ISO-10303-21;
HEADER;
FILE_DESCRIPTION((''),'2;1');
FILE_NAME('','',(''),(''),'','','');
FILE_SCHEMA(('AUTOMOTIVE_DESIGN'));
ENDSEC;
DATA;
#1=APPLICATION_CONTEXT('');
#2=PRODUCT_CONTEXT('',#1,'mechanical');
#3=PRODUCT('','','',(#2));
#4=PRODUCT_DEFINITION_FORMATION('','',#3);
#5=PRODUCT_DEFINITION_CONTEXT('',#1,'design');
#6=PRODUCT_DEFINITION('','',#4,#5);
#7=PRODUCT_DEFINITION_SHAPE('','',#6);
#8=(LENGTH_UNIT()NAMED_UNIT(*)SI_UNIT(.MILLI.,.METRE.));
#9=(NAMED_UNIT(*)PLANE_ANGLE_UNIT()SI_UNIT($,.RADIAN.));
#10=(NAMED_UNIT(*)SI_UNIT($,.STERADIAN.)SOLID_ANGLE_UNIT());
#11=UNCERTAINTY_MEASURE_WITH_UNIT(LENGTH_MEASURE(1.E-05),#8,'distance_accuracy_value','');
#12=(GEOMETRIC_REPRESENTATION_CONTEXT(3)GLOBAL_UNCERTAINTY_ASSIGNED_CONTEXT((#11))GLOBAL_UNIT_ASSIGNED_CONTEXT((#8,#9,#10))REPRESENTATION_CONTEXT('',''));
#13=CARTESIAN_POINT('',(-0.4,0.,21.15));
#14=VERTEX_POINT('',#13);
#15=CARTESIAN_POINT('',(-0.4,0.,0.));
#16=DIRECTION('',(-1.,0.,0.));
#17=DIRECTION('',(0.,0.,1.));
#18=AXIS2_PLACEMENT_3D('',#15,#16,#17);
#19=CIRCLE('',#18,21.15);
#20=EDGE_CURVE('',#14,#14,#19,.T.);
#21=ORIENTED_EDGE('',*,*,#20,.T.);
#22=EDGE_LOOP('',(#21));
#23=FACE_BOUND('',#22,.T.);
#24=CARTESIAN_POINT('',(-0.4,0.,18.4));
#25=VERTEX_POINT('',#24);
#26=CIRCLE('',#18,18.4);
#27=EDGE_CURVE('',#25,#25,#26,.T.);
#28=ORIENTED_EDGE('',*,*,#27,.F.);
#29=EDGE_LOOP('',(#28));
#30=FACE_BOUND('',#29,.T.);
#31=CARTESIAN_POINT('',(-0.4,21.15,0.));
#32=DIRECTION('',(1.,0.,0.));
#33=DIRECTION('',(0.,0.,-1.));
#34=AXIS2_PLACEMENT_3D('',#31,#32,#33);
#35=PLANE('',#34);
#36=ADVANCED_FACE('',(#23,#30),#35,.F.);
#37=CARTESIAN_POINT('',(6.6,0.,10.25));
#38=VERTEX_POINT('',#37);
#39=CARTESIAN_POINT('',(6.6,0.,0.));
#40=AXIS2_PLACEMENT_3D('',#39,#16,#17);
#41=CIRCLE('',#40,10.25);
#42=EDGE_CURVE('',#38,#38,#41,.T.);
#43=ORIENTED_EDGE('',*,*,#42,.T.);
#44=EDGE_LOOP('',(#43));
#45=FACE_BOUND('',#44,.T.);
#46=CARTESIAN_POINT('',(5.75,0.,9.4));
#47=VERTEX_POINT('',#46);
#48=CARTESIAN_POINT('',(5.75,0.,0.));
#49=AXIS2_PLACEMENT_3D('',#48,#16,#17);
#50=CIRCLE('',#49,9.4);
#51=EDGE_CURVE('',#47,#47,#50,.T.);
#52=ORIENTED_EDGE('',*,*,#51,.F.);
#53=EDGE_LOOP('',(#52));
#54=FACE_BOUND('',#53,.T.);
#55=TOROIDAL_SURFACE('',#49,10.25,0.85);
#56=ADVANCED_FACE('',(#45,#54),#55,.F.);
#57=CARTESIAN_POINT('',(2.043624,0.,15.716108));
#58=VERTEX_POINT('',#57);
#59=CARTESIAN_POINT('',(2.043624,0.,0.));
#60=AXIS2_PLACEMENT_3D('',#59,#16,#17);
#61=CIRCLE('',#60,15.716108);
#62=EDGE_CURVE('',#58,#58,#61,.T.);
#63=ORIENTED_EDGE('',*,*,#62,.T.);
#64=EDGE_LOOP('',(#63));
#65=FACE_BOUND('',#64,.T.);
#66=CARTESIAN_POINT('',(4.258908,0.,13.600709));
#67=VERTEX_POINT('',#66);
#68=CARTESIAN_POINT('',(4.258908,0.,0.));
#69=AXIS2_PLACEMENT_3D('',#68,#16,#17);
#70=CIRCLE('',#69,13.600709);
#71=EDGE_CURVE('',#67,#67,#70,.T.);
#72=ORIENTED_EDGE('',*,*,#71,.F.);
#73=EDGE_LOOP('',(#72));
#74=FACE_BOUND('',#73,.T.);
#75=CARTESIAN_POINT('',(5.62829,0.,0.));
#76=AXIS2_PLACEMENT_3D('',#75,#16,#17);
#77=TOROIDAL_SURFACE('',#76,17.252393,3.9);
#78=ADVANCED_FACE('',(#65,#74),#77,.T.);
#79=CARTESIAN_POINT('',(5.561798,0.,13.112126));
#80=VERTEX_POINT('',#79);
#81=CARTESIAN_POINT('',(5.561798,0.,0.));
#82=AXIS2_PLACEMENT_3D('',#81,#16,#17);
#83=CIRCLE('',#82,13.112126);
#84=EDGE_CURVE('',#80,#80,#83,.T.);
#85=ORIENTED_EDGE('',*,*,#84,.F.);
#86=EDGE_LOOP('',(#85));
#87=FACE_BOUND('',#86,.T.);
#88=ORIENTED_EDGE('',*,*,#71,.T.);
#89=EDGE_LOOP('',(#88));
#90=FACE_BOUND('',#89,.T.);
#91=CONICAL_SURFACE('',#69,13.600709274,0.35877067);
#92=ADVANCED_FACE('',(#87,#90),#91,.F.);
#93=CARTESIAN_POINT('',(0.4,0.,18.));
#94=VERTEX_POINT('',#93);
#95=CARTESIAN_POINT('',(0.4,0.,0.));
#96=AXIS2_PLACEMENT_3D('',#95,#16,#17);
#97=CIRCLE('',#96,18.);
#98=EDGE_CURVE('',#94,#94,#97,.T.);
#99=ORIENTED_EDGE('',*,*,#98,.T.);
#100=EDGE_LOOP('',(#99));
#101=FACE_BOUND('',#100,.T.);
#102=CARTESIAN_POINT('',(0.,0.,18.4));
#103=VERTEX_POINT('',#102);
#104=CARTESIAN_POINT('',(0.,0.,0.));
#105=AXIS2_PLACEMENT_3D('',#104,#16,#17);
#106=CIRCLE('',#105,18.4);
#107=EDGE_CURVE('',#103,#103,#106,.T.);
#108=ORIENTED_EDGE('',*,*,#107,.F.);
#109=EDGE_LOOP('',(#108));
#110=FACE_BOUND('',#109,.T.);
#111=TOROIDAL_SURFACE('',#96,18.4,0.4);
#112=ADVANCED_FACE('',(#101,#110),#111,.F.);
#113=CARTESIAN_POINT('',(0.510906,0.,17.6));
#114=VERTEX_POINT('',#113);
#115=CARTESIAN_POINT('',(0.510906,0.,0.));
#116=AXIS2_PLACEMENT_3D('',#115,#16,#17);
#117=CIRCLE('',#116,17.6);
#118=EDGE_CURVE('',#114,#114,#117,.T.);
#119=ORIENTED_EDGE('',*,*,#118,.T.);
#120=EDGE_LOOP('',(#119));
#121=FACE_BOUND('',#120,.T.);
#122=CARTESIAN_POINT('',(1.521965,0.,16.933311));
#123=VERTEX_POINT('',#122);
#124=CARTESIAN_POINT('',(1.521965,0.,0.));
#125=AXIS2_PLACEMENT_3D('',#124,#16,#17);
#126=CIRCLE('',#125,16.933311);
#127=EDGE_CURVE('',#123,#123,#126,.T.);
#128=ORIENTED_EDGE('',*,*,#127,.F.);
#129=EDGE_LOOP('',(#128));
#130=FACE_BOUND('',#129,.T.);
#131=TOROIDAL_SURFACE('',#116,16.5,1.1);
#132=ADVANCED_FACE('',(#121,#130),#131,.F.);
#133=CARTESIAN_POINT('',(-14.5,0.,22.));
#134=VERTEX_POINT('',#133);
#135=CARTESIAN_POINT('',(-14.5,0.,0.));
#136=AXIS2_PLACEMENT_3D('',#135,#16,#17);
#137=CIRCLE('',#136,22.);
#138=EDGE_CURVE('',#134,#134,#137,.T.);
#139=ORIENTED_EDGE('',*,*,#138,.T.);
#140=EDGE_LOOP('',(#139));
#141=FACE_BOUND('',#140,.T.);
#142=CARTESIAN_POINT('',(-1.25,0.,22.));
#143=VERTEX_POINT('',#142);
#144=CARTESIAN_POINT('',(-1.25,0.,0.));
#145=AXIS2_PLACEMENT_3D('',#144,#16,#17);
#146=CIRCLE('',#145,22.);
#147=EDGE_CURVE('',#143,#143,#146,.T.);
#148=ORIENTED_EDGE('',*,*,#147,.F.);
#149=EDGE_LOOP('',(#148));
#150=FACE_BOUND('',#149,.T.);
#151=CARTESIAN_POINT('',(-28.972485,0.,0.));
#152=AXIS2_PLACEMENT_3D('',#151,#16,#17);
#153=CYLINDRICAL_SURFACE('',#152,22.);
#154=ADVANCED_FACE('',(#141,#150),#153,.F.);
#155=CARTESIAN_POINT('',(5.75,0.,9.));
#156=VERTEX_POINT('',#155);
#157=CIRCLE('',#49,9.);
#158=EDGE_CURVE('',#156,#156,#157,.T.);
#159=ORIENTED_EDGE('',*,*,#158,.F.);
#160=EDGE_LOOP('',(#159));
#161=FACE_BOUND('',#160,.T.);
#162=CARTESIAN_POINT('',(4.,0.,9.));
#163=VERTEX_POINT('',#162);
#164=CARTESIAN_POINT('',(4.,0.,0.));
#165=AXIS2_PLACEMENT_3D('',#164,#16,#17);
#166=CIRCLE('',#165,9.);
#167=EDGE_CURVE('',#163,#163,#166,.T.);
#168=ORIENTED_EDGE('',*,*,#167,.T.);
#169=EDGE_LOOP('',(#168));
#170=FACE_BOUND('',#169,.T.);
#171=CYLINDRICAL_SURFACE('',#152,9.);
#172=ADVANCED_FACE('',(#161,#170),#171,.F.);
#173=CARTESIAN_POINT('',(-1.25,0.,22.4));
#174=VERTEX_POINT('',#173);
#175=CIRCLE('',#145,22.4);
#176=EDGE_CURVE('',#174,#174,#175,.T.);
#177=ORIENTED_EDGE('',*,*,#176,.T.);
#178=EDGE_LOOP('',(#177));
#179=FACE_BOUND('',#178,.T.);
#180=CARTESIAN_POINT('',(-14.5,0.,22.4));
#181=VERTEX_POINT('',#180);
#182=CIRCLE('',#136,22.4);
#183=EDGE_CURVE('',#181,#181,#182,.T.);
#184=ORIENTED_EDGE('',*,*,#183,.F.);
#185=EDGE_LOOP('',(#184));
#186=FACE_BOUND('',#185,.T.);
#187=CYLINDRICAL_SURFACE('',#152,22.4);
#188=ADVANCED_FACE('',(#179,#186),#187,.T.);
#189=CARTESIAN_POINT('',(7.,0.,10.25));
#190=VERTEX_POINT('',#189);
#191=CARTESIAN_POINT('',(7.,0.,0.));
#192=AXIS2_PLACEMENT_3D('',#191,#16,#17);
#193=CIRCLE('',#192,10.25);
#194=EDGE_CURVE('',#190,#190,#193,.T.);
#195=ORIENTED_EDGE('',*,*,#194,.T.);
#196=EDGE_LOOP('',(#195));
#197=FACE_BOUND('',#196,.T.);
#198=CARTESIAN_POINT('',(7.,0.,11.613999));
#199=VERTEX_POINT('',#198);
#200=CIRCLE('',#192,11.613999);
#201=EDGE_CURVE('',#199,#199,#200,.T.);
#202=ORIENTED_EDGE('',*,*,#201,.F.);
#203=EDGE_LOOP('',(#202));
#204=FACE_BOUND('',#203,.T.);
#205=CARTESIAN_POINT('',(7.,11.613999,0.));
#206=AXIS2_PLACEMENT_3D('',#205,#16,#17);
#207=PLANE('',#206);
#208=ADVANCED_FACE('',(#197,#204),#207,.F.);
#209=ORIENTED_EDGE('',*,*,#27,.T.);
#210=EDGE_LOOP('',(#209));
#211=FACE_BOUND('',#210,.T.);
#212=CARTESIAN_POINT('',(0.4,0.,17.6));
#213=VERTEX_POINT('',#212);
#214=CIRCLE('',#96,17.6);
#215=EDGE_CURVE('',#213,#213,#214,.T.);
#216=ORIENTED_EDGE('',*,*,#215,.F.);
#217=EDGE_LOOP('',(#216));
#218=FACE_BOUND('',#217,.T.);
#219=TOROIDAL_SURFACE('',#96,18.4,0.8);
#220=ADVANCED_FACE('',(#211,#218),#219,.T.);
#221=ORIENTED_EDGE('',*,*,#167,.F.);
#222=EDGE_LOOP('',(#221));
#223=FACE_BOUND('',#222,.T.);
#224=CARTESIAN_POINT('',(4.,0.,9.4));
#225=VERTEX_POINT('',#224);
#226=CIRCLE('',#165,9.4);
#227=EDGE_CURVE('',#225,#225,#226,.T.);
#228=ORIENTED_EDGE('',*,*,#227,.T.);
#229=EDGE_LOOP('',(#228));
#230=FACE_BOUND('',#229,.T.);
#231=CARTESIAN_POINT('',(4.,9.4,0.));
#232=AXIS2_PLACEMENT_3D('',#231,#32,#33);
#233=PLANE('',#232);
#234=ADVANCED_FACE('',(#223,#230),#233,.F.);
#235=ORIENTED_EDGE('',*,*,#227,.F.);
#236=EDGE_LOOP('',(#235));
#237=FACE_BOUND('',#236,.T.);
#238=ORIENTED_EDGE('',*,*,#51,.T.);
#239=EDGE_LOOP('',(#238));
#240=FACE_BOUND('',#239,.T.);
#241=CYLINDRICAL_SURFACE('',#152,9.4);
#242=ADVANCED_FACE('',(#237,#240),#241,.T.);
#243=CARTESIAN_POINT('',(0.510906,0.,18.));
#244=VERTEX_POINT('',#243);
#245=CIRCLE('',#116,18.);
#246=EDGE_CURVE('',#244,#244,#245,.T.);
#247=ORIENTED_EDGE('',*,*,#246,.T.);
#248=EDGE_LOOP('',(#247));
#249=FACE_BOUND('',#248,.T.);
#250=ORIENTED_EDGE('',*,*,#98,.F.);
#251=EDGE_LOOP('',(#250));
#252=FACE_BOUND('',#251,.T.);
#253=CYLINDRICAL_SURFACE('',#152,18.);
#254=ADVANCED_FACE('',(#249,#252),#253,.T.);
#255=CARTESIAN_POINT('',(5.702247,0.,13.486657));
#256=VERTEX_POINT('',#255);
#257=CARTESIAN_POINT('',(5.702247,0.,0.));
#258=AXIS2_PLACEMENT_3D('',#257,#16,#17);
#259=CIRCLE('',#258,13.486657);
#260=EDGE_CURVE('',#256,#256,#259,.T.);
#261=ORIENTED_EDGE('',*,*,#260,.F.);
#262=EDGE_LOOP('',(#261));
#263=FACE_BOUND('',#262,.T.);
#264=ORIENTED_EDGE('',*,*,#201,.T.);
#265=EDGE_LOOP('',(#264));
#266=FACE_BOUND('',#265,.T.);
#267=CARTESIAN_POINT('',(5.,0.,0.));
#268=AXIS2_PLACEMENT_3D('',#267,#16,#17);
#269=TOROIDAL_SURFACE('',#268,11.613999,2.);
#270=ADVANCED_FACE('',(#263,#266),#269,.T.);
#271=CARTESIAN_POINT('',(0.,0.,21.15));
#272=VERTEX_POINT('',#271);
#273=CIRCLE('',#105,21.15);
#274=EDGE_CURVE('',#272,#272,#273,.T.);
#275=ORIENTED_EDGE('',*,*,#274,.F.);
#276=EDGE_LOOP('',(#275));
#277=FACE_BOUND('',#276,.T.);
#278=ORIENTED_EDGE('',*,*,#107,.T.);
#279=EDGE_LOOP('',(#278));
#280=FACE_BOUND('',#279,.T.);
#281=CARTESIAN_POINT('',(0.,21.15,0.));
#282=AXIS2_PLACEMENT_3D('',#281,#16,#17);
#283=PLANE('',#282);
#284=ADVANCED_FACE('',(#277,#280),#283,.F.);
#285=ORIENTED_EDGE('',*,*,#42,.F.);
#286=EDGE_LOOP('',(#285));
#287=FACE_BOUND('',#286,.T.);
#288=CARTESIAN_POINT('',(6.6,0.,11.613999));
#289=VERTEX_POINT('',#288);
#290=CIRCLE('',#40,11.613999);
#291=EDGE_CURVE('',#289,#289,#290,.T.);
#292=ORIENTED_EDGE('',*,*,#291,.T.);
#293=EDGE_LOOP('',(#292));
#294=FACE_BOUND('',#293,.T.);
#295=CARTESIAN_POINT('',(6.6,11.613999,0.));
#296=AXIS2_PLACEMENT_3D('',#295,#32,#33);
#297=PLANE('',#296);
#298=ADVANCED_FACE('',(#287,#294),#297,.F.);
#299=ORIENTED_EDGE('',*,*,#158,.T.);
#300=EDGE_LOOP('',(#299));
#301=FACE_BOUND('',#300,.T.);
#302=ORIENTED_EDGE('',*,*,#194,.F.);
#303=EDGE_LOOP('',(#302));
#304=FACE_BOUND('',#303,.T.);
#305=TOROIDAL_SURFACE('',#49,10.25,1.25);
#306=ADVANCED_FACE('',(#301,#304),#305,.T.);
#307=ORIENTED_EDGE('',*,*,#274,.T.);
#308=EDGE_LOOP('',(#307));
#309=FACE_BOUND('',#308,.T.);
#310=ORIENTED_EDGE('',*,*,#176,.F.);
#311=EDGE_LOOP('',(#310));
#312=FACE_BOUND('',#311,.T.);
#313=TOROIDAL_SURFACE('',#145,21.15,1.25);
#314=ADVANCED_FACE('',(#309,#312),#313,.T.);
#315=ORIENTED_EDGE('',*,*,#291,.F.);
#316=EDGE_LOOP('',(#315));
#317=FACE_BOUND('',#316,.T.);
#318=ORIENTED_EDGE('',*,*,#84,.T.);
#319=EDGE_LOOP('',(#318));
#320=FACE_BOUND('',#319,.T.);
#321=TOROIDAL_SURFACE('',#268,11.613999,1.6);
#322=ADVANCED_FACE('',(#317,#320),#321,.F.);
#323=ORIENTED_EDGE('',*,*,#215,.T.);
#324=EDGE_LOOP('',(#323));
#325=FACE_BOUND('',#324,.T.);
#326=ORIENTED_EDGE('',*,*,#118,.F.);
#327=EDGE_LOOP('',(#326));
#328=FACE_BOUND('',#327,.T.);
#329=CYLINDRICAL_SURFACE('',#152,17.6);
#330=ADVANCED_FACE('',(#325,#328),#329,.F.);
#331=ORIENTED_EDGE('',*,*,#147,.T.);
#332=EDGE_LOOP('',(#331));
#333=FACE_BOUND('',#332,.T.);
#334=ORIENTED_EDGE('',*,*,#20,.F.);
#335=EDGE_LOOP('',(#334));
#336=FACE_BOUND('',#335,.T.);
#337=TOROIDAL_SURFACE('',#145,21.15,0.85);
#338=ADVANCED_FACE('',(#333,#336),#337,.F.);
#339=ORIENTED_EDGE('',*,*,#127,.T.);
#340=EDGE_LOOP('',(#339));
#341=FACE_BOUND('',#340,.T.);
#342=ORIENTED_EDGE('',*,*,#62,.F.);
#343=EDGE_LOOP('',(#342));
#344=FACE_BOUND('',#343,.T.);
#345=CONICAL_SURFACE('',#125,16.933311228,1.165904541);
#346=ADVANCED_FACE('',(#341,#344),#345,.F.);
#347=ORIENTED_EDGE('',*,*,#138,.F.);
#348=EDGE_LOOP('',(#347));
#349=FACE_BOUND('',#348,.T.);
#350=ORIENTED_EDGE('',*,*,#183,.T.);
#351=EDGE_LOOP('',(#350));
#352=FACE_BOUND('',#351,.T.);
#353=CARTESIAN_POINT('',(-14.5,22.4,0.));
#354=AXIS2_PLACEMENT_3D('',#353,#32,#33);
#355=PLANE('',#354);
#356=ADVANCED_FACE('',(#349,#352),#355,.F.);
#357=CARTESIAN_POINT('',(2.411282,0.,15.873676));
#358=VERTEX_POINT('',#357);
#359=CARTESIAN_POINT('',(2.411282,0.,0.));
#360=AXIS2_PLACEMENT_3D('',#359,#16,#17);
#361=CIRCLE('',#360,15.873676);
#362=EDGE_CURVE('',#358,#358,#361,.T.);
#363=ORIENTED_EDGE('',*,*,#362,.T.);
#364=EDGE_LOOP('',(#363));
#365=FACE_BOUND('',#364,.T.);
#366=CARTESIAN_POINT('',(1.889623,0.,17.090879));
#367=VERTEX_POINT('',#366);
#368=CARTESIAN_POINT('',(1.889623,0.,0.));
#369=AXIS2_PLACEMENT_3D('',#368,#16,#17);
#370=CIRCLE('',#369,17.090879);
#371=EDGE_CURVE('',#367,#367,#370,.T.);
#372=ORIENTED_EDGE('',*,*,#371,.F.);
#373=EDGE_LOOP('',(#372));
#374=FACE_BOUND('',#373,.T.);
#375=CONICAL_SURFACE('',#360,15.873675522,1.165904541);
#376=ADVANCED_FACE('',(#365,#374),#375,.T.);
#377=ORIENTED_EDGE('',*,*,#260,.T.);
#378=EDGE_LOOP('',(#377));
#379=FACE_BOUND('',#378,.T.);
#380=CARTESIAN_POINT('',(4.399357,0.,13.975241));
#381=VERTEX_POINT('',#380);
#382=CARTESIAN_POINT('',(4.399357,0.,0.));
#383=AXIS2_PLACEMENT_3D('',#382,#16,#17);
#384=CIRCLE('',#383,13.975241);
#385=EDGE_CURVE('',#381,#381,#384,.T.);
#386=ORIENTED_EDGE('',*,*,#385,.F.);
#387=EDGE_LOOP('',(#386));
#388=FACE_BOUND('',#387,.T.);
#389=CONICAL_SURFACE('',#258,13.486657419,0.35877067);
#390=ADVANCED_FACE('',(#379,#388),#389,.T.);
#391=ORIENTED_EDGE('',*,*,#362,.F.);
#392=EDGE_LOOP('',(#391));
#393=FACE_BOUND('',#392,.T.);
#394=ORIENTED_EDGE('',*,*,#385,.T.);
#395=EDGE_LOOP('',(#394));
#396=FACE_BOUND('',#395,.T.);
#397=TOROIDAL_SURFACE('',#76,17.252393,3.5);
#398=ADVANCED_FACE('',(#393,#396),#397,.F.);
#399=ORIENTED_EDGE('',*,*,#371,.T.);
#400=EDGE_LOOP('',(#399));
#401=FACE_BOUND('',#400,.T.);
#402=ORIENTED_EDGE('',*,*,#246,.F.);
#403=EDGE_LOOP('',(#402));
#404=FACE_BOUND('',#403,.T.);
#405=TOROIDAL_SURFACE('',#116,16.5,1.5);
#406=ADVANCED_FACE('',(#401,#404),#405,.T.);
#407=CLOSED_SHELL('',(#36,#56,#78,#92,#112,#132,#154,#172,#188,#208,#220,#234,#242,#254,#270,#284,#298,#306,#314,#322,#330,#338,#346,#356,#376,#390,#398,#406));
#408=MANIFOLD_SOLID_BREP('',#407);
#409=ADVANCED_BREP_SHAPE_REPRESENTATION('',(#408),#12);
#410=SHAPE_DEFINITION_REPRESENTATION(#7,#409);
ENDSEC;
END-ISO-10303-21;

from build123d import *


with BuildPart() as part:
    # 草图1 → 旋转1 (revolve)
    with BuildSketch(Plane.XY, mode=Mode.PRIVATE) as revolve_1_sk:
        with BuildLine():
            Line((-14.5, 22.4), (-1.25, 22.4))
            ThreePointArc((-1.25, 22.4), (-0.366116524, 22.033883476), (0, 21.15))
            Line((0, 21.15), (0, 18.4))
            ThreePointArc((0, 18.4), (0.117157288, 18.117157288), (0.4, 18))
            Line((0.4, 18), (0.510905763, 18))
            ThreePointArc((0.510905763, 18), (1.336642276, 17.752261638), (1.889623308, 17.090878948))
            Line((1.889623308, 17.090878948), (2.411281919, 15.873675522))
            ThreePointArc((2.411281919, 15.873675522), (3.211140728, 14.721110448), (4.399357479, 13.975240946))
            Line((4.399357479, 13.975240946), (5.702246883, 13.486657419))
            ThreePointArc((5.702246883, 13.486657419), (6.643851235, 12.753188739), (7, 11.613999064))
            Line((7, 11.613999064), (7, 10.25))
            ThreePointArc((7, 10.25), (6.633883476, 9.366116524), (5.75, 9))
            Line((5.75, 9), (4, 9))
            Line((4, 9), (4, 9.4))
            Line((4, 9.4), (5.75, 9.4))
            ThreePointArc((5.75, 9.4), (6.351040764, 9.648959236), (6.6, 10.25))
            Line((6.6, 10.25), (6.6, 11.613999064))
            ThreePointArc((6.6, 11.613999064), (6.315080988, 12.525350804), (5.561797507, 13.112125748))
            Line((5.561797507, 13.112125748), (4.258908102, 13.600709274))
            ThreePointArc((4.258908102, 13.600709274), (2.934895151, 14.431821006), (2.043623907, 15.716107803))
            Line((2.043623907, 15.716107803), (1.521965296, 16.933311228))
            ThreePointArc((1.521965296, 16.933311228), (1.116445873, 17.418325201), (0.510905763, 17.6))
            Line((0.510905763, 17.6), (0.4, 17.6))
            ThreePointArc((0.4, 17.6), (-0.165685425, 17.834314575), (-0.4, 18.4))
            Line((-0.4, 18.4), (-0.4, 21.15))
            ThreePointArc((-0.4, 21.15), (-0.648959236, 21.751040764), (-1.25, 22))
            Line((-1.25, 22), (-14.5, 22))
            Line((-14.5, 22), (-14.5, 22.4))
        make_face()
    revolve(revolve_1_sk.sketch.rotate(Axis((-28.972485425, 0, 0), (1, 0, 0)), 90), axis=Axis((-28.972485425, 0, 0), (1, 0, 0)))


solid = part.part
